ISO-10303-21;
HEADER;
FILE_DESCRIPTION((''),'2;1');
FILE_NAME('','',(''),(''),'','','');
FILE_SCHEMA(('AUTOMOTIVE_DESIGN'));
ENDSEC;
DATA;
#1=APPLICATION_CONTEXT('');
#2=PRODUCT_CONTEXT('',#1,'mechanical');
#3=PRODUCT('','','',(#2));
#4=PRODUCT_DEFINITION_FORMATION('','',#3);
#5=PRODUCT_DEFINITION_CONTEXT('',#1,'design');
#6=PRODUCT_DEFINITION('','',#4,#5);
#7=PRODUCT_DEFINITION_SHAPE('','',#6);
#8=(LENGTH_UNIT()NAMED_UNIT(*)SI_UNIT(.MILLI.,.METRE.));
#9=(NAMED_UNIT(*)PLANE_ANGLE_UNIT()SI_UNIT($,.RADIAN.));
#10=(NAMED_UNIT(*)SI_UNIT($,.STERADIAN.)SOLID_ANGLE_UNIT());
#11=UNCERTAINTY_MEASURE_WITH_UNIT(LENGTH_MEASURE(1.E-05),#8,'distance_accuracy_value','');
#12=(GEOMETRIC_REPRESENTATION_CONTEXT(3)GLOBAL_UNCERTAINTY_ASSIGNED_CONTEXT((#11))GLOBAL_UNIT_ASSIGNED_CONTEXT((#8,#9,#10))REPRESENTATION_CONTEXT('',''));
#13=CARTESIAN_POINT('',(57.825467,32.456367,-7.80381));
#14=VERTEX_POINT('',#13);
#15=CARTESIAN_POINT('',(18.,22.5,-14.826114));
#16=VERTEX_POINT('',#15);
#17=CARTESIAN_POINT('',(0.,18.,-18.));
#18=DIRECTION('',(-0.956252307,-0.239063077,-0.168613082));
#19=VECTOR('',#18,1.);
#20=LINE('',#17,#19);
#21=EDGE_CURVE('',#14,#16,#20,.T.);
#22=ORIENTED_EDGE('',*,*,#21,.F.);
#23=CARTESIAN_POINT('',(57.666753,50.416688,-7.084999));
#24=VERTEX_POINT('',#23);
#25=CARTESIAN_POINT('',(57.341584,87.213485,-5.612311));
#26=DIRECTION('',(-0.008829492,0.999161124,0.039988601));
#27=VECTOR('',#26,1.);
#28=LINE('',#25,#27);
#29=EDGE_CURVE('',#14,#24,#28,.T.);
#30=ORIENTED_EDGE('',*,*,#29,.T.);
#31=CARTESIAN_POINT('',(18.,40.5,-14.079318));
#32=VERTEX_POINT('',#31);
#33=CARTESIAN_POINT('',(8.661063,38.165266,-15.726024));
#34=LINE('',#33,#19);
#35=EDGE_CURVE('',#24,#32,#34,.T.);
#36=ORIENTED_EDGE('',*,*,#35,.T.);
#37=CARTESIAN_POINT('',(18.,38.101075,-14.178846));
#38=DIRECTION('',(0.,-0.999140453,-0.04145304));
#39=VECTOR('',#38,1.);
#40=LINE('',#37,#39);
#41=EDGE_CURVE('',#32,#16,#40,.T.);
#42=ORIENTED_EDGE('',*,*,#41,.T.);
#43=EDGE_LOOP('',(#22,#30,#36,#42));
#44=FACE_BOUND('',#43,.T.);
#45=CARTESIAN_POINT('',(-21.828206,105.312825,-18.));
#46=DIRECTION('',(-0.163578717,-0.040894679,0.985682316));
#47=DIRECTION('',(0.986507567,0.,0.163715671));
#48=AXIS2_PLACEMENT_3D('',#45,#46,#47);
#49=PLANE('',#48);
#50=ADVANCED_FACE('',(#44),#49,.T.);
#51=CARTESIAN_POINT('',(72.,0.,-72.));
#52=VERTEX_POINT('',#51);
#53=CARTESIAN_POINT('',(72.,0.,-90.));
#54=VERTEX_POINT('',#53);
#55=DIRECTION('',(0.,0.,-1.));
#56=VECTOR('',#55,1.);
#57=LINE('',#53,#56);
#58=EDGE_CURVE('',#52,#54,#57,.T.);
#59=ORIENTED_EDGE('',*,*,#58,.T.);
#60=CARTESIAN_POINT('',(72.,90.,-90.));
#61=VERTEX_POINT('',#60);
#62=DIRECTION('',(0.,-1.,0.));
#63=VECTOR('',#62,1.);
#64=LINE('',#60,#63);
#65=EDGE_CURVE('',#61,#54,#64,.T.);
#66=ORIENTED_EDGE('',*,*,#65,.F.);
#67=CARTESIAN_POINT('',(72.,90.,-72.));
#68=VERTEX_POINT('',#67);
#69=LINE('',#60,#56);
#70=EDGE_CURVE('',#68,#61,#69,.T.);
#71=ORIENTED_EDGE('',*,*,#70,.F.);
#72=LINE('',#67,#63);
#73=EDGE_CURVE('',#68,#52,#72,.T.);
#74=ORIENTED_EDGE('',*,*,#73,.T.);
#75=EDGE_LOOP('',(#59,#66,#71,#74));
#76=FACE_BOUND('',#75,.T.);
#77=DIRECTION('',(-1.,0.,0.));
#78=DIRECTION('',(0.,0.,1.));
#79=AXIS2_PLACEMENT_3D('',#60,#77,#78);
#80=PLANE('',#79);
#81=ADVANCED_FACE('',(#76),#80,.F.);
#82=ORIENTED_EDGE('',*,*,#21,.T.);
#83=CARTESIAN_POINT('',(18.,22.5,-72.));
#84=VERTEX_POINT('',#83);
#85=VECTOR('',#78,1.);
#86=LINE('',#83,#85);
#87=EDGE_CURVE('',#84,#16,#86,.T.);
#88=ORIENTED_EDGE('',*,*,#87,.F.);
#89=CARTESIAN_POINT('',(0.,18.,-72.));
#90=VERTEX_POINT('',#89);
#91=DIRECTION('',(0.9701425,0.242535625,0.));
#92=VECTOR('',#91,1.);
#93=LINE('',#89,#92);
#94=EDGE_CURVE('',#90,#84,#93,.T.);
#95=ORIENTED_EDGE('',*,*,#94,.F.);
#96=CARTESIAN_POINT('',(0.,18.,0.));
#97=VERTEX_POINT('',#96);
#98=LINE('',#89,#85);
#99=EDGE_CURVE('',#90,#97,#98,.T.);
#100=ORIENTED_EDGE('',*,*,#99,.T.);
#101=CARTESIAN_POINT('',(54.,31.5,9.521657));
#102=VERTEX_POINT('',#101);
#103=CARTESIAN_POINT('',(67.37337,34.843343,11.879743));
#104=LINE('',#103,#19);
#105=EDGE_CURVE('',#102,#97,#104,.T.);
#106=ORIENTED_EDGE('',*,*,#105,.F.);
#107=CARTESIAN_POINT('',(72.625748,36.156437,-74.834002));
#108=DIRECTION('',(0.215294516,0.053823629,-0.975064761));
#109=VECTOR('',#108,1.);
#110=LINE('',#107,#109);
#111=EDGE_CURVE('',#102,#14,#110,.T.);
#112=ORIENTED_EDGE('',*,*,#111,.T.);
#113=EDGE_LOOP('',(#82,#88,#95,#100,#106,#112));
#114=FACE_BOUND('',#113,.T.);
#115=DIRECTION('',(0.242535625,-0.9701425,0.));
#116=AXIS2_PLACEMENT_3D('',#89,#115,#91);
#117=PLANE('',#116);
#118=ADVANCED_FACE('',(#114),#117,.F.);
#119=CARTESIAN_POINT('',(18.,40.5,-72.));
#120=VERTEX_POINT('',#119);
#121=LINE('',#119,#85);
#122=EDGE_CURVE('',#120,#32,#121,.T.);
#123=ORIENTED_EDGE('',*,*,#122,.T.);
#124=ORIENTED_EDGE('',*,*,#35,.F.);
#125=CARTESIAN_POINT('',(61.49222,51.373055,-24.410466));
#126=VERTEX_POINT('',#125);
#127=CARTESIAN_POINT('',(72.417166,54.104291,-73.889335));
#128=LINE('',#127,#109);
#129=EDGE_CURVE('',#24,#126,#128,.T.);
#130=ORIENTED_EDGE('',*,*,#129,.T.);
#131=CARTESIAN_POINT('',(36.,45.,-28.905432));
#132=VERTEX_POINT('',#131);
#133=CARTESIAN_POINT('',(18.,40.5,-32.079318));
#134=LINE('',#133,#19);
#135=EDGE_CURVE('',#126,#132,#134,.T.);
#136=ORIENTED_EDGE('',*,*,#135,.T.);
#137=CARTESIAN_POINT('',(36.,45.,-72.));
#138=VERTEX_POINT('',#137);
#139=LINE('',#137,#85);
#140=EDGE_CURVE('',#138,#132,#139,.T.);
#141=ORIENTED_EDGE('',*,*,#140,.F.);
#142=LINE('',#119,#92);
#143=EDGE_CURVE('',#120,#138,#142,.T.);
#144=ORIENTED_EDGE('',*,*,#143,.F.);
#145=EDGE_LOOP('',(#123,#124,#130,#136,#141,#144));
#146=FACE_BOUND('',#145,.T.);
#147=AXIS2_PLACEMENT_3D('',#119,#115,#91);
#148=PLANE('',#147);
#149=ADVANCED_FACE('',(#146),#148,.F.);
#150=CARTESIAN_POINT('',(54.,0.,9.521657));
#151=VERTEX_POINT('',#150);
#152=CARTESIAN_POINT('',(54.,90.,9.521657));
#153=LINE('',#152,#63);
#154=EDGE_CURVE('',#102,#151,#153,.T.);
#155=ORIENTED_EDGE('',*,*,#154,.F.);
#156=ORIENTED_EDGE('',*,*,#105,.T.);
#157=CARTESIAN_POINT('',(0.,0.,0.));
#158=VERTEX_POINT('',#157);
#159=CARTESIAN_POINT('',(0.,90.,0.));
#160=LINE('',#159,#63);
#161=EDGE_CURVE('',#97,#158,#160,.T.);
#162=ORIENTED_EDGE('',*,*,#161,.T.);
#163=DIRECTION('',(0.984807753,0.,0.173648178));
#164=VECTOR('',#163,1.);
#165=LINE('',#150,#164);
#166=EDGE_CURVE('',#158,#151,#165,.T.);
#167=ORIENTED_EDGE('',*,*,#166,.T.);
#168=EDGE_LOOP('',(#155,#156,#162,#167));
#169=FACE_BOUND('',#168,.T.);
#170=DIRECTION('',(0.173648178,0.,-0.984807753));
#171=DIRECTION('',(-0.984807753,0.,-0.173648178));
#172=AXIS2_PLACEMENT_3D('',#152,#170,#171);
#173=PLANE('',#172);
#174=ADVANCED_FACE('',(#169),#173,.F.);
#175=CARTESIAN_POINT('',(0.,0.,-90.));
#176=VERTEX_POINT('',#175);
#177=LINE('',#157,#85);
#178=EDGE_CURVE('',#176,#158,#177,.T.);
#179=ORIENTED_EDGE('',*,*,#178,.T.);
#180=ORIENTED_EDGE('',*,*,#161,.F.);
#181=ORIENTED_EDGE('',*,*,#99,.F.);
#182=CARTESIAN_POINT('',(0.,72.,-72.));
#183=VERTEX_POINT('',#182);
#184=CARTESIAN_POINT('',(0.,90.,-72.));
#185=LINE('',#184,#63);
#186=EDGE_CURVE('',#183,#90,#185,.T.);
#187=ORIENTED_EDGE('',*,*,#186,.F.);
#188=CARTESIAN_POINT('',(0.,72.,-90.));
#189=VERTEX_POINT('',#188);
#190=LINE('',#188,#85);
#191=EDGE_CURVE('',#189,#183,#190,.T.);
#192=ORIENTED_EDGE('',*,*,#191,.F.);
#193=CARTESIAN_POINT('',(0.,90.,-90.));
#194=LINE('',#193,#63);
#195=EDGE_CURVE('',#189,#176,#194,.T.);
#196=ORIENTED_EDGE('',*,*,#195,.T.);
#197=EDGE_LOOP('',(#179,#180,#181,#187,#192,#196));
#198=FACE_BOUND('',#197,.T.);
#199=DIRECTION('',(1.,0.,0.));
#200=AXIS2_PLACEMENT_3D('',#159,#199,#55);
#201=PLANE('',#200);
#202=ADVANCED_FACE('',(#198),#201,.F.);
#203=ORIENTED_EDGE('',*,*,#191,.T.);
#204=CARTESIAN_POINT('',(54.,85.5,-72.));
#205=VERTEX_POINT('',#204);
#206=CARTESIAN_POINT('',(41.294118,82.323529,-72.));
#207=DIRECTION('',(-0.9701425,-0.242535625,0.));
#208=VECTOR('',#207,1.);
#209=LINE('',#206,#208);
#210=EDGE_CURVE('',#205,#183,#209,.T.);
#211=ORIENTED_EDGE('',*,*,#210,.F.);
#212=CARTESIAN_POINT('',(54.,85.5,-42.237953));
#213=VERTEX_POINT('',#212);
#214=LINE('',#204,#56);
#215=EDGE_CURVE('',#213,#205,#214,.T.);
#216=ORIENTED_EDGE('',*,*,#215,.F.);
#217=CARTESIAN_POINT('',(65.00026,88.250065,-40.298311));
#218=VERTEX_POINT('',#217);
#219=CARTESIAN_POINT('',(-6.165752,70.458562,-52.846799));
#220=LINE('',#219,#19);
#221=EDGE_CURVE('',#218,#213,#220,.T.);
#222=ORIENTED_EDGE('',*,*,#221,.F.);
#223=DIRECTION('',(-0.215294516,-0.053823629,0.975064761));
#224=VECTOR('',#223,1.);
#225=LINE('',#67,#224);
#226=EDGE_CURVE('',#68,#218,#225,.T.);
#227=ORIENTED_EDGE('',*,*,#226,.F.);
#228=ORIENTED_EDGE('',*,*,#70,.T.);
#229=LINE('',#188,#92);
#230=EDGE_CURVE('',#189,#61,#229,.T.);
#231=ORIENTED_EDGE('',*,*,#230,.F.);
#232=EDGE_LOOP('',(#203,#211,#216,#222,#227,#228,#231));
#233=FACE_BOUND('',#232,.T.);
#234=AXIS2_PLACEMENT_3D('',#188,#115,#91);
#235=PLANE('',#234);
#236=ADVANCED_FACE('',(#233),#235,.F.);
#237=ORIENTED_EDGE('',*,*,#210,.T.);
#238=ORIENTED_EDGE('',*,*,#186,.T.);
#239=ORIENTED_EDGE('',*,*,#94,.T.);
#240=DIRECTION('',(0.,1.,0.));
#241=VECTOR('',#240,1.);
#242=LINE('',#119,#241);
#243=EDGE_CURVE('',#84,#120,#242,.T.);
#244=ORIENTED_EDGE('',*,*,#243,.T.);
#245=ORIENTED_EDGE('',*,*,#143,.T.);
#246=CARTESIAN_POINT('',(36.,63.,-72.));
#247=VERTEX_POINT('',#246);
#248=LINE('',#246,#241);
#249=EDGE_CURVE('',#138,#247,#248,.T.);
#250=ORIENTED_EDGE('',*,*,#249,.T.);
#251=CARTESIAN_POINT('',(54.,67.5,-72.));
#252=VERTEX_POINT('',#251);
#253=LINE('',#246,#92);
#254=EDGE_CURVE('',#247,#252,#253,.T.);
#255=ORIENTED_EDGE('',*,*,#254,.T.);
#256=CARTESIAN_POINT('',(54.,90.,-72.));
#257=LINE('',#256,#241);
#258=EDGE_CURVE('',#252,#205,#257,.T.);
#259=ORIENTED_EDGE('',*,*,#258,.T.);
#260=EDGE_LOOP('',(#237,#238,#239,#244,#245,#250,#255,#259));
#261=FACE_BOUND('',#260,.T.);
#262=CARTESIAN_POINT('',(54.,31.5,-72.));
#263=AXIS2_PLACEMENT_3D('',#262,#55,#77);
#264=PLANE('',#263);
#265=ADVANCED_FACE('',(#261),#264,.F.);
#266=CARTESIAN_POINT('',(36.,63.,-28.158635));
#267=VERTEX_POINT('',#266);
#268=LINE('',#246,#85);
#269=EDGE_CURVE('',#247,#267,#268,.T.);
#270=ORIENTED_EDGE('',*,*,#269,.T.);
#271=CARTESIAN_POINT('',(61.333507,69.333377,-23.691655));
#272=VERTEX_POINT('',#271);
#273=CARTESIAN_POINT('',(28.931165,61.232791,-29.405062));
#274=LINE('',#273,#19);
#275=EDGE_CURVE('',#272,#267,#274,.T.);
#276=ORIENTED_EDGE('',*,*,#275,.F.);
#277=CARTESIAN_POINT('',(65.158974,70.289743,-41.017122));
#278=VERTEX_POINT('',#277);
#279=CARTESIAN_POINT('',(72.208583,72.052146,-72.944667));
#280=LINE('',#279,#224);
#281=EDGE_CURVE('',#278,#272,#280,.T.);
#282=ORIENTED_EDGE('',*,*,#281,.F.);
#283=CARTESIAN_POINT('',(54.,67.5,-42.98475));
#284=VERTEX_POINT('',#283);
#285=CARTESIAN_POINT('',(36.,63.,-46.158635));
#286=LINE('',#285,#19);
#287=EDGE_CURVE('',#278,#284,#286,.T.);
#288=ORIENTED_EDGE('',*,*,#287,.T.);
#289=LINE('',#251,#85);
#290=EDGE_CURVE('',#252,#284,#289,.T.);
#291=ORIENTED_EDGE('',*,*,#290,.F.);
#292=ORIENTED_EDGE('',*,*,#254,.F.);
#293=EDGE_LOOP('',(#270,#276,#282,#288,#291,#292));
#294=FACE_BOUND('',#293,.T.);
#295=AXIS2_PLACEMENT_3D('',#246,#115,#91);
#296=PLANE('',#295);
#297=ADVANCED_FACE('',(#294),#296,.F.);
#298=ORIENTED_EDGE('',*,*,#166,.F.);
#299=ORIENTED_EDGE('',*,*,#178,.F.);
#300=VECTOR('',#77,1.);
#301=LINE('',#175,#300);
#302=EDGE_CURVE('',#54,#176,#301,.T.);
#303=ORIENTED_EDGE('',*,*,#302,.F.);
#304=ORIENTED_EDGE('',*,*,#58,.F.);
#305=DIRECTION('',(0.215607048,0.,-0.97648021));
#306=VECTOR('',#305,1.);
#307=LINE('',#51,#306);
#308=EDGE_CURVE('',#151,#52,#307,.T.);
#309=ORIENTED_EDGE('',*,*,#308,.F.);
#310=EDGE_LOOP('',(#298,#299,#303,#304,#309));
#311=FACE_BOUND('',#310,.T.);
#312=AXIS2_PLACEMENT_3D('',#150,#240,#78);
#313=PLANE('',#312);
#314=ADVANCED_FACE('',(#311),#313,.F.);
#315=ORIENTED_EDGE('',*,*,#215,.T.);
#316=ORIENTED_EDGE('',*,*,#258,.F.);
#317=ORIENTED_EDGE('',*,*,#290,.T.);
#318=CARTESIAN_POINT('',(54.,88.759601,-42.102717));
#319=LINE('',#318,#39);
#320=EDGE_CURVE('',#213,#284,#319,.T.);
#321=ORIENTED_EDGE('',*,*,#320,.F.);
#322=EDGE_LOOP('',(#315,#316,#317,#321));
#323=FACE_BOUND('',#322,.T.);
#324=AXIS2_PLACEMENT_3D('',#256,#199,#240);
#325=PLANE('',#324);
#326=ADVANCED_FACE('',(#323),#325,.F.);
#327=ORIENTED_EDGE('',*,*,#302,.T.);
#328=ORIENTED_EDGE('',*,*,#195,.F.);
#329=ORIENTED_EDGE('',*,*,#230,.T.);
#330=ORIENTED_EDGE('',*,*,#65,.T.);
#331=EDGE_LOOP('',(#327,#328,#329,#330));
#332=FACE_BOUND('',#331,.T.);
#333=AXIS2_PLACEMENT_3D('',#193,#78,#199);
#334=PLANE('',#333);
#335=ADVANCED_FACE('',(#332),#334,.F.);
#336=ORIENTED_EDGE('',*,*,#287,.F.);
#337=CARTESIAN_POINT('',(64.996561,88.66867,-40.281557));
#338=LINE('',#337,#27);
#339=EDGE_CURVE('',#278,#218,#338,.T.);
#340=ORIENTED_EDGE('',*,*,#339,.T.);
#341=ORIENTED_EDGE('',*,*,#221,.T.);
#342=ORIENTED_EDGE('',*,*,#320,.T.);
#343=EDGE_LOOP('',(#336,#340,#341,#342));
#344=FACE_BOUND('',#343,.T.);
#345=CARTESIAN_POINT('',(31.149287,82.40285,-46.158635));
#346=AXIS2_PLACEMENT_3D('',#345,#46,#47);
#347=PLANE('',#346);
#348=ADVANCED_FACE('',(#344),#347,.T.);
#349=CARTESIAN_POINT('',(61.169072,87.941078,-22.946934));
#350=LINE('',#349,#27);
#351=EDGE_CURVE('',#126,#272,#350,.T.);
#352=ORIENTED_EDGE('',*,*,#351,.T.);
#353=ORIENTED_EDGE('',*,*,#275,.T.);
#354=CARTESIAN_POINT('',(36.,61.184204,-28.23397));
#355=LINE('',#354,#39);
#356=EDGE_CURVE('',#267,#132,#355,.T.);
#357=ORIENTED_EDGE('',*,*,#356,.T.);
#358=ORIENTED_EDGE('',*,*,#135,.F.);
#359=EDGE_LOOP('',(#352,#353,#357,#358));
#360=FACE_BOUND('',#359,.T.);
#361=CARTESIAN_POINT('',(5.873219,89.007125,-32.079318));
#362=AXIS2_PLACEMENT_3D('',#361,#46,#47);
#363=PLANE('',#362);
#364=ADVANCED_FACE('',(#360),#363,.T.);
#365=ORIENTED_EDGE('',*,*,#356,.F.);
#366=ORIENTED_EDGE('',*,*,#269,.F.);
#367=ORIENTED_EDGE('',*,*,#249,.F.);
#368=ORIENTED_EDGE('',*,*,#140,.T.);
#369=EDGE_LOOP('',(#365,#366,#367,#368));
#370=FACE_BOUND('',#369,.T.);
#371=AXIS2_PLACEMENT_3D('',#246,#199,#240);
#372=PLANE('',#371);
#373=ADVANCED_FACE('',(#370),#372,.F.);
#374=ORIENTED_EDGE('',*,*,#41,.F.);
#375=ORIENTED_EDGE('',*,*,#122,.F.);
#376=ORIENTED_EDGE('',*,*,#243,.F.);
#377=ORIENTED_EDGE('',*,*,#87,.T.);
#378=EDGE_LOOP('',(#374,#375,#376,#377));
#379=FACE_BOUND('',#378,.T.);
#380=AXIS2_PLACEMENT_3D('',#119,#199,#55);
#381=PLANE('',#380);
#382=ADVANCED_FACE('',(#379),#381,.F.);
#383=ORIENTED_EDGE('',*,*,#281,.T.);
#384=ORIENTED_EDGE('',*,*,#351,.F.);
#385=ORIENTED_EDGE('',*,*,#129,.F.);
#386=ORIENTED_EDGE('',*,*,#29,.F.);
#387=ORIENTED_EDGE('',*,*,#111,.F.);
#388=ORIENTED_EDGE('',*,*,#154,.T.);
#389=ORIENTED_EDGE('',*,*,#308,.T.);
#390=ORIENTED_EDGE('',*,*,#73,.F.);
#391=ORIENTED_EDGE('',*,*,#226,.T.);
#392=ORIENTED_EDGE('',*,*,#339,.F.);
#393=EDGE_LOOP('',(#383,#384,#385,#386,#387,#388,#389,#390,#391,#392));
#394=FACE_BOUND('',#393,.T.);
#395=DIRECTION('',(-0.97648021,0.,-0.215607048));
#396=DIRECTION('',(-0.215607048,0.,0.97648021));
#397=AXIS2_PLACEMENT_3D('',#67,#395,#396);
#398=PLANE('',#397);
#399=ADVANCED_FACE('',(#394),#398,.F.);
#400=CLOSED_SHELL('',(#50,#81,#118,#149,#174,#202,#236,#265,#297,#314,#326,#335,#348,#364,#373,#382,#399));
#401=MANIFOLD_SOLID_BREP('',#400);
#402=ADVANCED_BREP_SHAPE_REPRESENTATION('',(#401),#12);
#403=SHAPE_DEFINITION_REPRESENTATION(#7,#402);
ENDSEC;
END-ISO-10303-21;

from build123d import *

# Parameters (mm, degrees)
MAIN_BLOCK_DEPTH         = 90
MAIN_CUTOUT_DEPTH        = 10
MAIN_CUTOUT_DEPTH_BACK   = 72
TOP_SLOPE_CUT_DEPTH      = 12
TOP_SLOPE_CUT_DEPTH_BACK = 90
FIRST_STEP_CUT_DEPTH     = 90
SECOND_STEP_CUT_DEPTH    = 50
THIRD_STEP_CUT_DEPTH     = 20


with BuildPart() as part:
    # Sketch1 → Main Block (new body)
    with BuildSketch(Plane(origin=(0, 0, 0), x_dir=(1, 0, 0), z_dir=(0, 1, 0))):
        Polygon((0, 0), (0, 90), (72, 90), (72, 72), (54, -9.521656958), align=None)
    extrude(amount=MAIN_BLOCK_DEPTH)

    # Sketch4 → Main Cutout (cut, two sides)
    with BuildSketch(Plane.XY) as main_cutout_sk:
        Polygon((18, 40.5), (18, 22.5), (0, 18), (0, 90), (54, 90), (54, 67.5), (36, 63), (36, 45), align=None)
    extrude(amount=MAIN_CUTOUT_DEPTH, mode=Mode.SUBTRACT)
    extrude(main_cutout_sk.sketch, amount=-MAIN_CUTOUT_DEPTH_BACK, mode=Mode.SUBTRACT)

    # Sketch5 → Top Slope Cut (cut, two sides)
    with BuildSketch(Plane.XY) as top_slope_cut_sk:
        Polygon((0, 90), (72, 90), (0, 72), align=None)
    extrude(amount=TOP_SLOPE_CUT_DEPTH, mode=Mode.SUBTRACT)
    extrude(top_slope_cut_sk.sketch, amount=-TOP_SLOPE_CUT_DEPTH_BACK, mode=Mode.SUBTRACT)

    # Sketch6 → First Step Cut (cut)
    with BuildSketch(Plane(origin=(-4.235294118, 16.941176471, 0), x_dir=(-0.9701425, -0.242535625, 0), z_dir=(-0.242535625, 0.9701425, 0))):
        Polygon((-92.892158272, -2.856450573), (-85.203658571, 13.828337001), (-4.365641251, 0), (-4.365641251, -18), align=None)
    extrude(amount=FIRST_STEP_CUT_DEPTH, mode=Mode.SUBTRACT)

    # Sketch7 → Second Step Cut (cut)
    with BuildSketch(Plane(origin=(-8.470588235, 33.882352941, 0), x_dir=(-0.9701425, -0.242535625, 0), z_dir=(-0.242535625, 0.9701425, 0))):
        Polygon((-27.285257817, -14.079317723), (-101.742779454, -1.342442975), (-101.770582014, -19.337687006), (-27.285257817, -32.079317723), align=None)
    extrude(amount=SECOND_STEP_CUT_DEPTH, mode=Mode.SUBTRACT)

    # Sketch8 → Third Step Cut (cut)
    with BuildSketch(Plane(origin=(-12.705882353, 50.823529412, 0), x_dir=(-0.9701425, -0.242535625, 0), z_dir=(-0.242535625, 0.9701425, 0))):
        Polygon((-50.204874383, -28.158635446), (-102.913338561, -19.142204445), (-106.827474424, -36.47264337), (-50.204874383, -46.158635446), align=None)
    extrude(amount=THIRD_STEP_CUT_DEPTH, mode=Mode.SUBTRACT)


solid = part.part
